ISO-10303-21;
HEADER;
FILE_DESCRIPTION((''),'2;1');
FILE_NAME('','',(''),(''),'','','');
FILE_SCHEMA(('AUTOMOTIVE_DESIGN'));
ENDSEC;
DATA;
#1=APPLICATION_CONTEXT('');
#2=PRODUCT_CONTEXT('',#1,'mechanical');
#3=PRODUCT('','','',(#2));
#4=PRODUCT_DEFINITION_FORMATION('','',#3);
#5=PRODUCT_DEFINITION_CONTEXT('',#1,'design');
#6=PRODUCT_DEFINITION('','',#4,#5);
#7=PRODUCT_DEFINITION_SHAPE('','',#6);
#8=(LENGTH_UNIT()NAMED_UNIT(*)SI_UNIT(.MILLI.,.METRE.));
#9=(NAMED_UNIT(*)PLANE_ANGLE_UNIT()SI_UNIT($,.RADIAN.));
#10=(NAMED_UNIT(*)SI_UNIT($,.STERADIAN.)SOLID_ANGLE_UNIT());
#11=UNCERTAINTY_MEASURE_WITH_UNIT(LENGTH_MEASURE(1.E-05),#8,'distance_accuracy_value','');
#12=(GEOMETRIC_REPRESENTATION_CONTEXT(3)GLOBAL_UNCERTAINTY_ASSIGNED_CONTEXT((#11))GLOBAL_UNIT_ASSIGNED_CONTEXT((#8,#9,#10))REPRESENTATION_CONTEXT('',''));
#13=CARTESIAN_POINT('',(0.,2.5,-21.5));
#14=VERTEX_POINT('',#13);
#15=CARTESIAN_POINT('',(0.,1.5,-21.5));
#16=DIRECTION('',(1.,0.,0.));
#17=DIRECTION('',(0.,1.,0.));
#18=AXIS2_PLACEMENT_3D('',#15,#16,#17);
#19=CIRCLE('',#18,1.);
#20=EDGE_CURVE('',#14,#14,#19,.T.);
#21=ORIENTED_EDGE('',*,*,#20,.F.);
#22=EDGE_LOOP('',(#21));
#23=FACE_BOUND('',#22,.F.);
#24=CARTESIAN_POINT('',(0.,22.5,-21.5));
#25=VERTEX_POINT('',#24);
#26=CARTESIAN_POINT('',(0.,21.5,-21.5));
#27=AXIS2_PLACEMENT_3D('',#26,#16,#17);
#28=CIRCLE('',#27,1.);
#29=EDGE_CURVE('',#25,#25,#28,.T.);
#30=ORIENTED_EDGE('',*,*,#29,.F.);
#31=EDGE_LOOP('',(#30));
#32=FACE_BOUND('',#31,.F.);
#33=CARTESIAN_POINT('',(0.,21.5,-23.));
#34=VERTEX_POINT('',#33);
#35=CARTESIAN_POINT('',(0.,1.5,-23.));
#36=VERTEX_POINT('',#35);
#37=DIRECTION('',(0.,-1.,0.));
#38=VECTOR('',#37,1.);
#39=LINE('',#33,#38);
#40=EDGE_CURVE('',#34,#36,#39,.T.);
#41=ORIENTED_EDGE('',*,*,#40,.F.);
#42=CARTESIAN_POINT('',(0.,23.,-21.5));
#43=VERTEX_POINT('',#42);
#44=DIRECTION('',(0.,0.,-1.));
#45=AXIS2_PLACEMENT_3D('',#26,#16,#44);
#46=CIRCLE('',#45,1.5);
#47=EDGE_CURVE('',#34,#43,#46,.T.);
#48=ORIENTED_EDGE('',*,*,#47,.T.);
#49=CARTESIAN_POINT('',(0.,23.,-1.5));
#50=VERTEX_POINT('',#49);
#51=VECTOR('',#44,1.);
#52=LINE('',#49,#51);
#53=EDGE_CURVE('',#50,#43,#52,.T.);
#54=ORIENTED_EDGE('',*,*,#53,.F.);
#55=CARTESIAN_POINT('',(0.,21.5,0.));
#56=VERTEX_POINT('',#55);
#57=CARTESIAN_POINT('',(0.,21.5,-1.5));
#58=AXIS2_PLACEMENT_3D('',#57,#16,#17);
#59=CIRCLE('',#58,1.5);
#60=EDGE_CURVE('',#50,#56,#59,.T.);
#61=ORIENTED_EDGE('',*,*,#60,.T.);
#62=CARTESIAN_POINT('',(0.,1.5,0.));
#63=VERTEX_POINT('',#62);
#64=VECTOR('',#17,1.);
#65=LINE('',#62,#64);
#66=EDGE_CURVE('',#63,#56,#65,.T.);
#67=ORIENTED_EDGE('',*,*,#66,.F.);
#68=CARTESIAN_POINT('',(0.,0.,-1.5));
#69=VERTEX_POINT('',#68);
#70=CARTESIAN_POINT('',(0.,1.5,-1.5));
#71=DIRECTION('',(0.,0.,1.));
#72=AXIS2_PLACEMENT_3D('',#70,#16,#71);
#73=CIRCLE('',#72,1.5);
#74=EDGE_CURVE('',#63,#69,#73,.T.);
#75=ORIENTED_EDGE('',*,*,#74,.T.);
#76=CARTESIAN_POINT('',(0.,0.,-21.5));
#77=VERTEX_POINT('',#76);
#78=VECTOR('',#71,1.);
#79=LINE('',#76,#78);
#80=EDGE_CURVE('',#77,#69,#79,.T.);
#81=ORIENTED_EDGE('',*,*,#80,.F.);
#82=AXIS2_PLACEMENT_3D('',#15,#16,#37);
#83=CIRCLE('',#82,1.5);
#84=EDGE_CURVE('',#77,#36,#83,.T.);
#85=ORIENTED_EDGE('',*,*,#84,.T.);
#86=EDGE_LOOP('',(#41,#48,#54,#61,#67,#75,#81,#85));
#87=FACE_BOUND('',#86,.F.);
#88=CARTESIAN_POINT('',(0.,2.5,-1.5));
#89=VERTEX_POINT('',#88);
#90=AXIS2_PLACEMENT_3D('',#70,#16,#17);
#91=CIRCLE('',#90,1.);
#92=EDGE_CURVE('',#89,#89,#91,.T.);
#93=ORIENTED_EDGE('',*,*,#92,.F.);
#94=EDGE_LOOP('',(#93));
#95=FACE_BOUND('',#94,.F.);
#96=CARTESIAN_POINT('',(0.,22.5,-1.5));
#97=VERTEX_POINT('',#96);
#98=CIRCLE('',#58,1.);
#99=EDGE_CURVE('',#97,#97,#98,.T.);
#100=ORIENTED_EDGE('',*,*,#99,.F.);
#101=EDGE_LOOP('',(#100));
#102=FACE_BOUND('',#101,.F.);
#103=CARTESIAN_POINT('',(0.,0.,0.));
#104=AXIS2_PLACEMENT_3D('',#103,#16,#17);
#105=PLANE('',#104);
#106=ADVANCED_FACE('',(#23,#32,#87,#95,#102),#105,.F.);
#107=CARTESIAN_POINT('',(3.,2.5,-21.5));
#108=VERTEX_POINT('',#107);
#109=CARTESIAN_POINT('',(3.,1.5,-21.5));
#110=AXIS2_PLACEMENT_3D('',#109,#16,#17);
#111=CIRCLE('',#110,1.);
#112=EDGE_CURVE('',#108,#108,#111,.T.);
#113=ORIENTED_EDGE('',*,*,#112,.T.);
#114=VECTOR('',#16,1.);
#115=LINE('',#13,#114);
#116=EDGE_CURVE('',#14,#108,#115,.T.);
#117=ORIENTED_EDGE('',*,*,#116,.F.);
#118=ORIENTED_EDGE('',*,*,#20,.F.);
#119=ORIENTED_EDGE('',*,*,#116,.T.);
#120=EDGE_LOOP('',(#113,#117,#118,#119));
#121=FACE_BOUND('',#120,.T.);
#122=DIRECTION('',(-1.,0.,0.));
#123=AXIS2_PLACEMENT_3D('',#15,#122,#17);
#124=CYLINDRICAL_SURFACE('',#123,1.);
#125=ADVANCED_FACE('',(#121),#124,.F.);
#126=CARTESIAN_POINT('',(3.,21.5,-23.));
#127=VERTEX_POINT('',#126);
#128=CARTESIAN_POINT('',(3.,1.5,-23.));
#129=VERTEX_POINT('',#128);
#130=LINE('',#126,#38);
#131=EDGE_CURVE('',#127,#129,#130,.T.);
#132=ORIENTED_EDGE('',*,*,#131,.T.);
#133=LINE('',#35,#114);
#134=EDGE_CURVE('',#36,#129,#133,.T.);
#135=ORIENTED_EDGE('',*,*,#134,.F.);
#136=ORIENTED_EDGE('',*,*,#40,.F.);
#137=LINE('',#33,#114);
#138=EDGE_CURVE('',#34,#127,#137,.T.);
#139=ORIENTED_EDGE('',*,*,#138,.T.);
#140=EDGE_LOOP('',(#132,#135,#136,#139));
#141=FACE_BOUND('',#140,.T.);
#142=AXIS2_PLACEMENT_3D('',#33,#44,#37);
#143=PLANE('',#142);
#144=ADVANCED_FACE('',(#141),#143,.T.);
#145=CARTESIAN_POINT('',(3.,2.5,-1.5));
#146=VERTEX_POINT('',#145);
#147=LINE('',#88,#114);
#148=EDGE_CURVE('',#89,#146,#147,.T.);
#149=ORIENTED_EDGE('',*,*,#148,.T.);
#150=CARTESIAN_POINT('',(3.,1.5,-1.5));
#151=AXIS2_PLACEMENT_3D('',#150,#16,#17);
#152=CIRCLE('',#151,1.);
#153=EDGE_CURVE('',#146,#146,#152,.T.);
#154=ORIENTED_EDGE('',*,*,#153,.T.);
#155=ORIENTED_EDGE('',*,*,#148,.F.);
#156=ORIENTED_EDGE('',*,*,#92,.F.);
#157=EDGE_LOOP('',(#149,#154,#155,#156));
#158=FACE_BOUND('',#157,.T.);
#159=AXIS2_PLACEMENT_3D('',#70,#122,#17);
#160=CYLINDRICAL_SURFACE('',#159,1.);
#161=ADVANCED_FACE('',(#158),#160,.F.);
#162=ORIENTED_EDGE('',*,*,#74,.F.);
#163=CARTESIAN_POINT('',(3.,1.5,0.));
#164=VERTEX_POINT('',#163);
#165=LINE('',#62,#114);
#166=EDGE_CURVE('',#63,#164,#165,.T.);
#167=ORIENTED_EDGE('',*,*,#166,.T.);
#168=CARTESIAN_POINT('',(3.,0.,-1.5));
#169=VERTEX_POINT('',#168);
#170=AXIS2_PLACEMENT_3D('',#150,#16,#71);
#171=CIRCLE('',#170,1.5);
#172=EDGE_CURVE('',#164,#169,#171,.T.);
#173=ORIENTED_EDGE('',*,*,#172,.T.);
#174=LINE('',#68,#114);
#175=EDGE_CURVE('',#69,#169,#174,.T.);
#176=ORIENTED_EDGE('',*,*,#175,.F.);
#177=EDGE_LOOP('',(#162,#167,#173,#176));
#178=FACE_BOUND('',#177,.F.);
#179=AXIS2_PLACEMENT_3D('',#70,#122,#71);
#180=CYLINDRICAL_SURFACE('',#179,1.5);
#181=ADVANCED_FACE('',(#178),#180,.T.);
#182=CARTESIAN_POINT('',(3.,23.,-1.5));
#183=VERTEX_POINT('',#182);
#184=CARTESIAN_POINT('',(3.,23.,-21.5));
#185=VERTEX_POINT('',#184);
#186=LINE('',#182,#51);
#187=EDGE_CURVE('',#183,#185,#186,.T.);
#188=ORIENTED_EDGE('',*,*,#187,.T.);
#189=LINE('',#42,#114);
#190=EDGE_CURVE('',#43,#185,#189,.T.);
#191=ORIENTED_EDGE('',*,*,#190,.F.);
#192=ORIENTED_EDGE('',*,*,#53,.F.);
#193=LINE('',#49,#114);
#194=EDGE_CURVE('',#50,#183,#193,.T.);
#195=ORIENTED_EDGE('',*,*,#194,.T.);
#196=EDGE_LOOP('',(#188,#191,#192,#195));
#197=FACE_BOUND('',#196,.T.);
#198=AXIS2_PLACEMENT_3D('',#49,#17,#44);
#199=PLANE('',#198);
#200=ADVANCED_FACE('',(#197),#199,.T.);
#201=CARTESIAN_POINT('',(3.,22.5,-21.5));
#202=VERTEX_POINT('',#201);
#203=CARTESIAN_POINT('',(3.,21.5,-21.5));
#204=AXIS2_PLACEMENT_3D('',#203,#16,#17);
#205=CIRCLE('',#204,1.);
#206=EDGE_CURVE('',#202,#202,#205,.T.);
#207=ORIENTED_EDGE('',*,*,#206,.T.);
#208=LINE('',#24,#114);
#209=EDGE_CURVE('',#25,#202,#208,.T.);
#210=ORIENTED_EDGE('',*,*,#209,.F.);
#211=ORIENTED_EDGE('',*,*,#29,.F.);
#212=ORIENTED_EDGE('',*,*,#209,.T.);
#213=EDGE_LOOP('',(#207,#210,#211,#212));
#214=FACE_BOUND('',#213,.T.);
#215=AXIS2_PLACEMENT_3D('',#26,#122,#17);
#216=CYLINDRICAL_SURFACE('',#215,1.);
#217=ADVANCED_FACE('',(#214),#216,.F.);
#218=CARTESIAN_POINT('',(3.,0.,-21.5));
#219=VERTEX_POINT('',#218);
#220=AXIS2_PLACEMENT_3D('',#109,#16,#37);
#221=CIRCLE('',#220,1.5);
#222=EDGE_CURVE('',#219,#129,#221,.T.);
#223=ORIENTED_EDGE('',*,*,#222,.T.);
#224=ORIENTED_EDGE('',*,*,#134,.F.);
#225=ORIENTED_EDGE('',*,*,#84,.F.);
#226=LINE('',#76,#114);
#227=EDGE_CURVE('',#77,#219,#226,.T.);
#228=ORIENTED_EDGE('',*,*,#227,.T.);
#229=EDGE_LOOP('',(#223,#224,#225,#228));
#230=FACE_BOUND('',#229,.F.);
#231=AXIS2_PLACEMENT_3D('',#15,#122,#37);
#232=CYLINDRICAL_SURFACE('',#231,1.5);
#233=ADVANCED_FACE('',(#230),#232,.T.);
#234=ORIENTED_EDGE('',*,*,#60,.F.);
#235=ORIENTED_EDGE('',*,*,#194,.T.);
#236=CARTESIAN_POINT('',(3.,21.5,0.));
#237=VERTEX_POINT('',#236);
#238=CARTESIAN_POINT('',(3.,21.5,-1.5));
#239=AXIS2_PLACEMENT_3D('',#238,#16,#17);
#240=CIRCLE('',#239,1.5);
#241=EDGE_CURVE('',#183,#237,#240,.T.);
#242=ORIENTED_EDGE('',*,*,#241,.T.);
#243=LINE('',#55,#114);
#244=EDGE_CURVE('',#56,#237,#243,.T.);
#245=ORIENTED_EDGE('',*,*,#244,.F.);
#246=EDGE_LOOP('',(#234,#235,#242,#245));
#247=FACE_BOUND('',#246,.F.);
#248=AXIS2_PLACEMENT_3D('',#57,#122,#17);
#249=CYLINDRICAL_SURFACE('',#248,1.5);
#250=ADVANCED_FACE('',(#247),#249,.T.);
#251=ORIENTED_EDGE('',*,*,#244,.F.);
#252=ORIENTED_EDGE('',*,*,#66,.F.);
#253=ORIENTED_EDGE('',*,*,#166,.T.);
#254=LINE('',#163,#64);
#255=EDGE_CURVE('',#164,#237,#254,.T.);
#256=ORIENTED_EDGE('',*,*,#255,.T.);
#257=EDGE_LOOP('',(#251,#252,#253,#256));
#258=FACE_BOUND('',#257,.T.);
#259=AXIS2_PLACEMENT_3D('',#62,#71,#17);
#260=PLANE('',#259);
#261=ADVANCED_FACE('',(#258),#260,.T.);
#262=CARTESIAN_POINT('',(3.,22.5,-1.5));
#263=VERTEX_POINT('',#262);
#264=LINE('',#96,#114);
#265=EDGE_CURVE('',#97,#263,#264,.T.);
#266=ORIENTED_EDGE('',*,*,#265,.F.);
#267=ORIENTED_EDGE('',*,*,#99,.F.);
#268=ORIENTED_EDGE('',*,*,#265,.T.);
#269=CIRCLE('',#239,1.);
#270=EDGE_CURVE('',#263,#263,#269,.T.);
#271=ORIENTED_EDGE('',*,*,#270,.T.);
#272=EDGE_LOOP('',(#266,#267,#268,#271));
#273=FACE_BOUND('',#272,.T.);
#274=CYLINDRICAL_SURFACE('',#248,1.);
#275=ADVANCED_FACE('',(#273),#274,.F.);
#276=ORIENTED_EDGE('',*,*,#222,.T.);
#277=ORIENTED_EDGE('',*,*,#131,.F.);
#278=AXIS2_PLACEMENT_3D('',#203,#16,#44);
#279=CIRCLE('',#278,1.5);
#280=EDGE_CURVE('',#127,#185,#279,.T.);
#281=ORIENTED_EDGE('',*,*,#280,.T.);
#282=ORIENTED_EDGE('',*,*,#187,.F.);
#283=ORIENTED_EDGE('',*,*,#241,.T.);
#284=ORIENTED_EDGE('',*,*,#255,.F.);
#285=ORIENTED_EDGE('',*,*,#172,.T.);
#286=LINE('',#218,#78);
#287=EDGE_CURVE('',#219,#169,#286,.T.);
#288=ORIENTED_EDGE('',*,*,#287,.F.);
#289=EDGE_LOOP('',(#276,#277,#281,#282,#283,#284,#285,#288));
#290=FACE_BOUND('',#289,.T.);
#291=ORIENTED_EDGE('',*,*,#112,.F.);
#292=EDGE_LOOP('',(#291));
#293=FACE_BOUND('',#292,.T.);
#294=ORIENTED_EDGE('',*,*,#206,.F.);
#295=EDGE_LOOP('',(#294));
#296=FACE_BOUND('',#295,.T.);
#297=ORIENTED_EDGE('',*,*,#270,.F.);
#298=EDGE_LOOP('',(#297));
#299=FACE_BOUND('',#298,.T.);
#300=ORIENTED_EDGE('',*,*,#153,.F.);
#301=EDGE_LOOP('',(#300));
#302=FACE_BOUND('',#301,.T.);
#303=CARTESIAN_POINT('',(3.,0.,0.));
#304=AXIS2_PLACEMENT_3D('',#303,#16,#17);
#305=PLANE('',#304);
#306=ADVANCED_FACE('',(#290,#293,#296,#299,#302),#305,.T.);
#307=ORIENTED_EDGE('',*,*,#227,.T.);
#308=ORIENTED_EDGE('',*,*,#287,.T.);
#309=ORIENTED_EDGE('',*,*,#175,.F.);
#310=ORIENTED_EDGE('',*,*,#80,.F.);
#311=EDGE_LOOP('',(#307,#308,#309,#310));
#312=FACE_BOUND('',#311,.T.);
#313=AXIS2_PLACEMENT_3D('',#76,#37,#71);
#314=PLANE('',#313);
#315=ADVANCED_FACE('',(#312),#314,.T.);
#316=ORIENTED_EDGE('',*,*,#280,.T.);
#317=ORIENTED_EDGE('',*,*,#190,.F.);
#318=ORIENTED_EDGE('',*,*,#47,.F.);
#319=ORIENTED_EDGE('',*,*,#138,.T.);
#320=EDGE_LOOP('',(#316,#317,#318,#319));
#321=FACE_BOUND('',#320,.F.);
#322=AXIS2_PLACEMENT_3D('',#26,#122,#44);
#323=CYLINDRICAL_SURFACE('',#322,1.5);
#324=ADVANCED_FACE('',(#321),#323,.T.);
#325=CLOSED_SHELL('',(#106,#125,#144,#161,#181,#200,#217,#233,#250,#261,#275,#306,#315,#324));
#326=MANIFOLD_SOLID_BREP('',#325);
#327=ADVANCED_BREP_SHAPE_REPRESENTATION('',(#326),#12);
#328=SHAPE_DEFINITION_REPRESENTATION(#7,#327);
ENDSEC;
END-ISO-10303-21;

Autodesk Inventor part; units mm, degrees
ref_plane "YZ Plane" through (0, 0, 0) normal (1, 0, 0) x (0, 1, 0)
ref_plane "XZ Plane" through (0, 0, 0) normal (0, 1, 0) x (-1, 0, 0)
ref_plane "XY Plane" through (0, 0, 0) normal (0, 0, 1) x (1, 0, 0)
sketch "Náčrt1" plane through (0, 0, 0) normal (1, 0, 0) x (0, 1, 0)
  line L0 (1.5, 0) -> (21.5, 0)
  line L1 (23, -1.5) -> (23, -21.5)
  line L2 (21.5, -23) -> (1.5, -23)
  line L3 (0, -21.5) -> (0, -1.5)
  arc A0 (23, -1.5) -> (21.5, 0) centre (21.5, -1.5) ccw
  arc A1 (21.5, -23) -> (23, -21.5) centre (21.5, -21.5) ccw
  arc A2 (0, -21.5) -> (1.5, -23) centre (1.5, -21.5) ccw
  arc A3 (1.5, 0) -> (0, -1.5) centre (1.5, -1.5) ccw
  circle A4 centre (21.5, -1.5) radius 1
  circle A5 centre (1.5, -21.5) radius 1
  circle A6 centre (1.5, -1.5) radius 1
  circle A7 centre (21.5, -21.5) radius 1
  point P0 (0, 0)
  point P1 (23, 0)
  point P2 (0, -23)
  dimension "d0" = 23
  dimension "d1" = 23
  dimension "d2" = 1.5
  dimension "d3" = 1.5
  dimension "d4" = 2
  dimension "d5" = 2
  dimension "d6" = 2
  dimension "d7" = 2
extrude "Vysunutí1" add sketch "Náčrt1" along normal blind 3
equation "\"d1\" = d0"
properties part number "HGLRC Micro 13A 4in1 BLHeli_S"
